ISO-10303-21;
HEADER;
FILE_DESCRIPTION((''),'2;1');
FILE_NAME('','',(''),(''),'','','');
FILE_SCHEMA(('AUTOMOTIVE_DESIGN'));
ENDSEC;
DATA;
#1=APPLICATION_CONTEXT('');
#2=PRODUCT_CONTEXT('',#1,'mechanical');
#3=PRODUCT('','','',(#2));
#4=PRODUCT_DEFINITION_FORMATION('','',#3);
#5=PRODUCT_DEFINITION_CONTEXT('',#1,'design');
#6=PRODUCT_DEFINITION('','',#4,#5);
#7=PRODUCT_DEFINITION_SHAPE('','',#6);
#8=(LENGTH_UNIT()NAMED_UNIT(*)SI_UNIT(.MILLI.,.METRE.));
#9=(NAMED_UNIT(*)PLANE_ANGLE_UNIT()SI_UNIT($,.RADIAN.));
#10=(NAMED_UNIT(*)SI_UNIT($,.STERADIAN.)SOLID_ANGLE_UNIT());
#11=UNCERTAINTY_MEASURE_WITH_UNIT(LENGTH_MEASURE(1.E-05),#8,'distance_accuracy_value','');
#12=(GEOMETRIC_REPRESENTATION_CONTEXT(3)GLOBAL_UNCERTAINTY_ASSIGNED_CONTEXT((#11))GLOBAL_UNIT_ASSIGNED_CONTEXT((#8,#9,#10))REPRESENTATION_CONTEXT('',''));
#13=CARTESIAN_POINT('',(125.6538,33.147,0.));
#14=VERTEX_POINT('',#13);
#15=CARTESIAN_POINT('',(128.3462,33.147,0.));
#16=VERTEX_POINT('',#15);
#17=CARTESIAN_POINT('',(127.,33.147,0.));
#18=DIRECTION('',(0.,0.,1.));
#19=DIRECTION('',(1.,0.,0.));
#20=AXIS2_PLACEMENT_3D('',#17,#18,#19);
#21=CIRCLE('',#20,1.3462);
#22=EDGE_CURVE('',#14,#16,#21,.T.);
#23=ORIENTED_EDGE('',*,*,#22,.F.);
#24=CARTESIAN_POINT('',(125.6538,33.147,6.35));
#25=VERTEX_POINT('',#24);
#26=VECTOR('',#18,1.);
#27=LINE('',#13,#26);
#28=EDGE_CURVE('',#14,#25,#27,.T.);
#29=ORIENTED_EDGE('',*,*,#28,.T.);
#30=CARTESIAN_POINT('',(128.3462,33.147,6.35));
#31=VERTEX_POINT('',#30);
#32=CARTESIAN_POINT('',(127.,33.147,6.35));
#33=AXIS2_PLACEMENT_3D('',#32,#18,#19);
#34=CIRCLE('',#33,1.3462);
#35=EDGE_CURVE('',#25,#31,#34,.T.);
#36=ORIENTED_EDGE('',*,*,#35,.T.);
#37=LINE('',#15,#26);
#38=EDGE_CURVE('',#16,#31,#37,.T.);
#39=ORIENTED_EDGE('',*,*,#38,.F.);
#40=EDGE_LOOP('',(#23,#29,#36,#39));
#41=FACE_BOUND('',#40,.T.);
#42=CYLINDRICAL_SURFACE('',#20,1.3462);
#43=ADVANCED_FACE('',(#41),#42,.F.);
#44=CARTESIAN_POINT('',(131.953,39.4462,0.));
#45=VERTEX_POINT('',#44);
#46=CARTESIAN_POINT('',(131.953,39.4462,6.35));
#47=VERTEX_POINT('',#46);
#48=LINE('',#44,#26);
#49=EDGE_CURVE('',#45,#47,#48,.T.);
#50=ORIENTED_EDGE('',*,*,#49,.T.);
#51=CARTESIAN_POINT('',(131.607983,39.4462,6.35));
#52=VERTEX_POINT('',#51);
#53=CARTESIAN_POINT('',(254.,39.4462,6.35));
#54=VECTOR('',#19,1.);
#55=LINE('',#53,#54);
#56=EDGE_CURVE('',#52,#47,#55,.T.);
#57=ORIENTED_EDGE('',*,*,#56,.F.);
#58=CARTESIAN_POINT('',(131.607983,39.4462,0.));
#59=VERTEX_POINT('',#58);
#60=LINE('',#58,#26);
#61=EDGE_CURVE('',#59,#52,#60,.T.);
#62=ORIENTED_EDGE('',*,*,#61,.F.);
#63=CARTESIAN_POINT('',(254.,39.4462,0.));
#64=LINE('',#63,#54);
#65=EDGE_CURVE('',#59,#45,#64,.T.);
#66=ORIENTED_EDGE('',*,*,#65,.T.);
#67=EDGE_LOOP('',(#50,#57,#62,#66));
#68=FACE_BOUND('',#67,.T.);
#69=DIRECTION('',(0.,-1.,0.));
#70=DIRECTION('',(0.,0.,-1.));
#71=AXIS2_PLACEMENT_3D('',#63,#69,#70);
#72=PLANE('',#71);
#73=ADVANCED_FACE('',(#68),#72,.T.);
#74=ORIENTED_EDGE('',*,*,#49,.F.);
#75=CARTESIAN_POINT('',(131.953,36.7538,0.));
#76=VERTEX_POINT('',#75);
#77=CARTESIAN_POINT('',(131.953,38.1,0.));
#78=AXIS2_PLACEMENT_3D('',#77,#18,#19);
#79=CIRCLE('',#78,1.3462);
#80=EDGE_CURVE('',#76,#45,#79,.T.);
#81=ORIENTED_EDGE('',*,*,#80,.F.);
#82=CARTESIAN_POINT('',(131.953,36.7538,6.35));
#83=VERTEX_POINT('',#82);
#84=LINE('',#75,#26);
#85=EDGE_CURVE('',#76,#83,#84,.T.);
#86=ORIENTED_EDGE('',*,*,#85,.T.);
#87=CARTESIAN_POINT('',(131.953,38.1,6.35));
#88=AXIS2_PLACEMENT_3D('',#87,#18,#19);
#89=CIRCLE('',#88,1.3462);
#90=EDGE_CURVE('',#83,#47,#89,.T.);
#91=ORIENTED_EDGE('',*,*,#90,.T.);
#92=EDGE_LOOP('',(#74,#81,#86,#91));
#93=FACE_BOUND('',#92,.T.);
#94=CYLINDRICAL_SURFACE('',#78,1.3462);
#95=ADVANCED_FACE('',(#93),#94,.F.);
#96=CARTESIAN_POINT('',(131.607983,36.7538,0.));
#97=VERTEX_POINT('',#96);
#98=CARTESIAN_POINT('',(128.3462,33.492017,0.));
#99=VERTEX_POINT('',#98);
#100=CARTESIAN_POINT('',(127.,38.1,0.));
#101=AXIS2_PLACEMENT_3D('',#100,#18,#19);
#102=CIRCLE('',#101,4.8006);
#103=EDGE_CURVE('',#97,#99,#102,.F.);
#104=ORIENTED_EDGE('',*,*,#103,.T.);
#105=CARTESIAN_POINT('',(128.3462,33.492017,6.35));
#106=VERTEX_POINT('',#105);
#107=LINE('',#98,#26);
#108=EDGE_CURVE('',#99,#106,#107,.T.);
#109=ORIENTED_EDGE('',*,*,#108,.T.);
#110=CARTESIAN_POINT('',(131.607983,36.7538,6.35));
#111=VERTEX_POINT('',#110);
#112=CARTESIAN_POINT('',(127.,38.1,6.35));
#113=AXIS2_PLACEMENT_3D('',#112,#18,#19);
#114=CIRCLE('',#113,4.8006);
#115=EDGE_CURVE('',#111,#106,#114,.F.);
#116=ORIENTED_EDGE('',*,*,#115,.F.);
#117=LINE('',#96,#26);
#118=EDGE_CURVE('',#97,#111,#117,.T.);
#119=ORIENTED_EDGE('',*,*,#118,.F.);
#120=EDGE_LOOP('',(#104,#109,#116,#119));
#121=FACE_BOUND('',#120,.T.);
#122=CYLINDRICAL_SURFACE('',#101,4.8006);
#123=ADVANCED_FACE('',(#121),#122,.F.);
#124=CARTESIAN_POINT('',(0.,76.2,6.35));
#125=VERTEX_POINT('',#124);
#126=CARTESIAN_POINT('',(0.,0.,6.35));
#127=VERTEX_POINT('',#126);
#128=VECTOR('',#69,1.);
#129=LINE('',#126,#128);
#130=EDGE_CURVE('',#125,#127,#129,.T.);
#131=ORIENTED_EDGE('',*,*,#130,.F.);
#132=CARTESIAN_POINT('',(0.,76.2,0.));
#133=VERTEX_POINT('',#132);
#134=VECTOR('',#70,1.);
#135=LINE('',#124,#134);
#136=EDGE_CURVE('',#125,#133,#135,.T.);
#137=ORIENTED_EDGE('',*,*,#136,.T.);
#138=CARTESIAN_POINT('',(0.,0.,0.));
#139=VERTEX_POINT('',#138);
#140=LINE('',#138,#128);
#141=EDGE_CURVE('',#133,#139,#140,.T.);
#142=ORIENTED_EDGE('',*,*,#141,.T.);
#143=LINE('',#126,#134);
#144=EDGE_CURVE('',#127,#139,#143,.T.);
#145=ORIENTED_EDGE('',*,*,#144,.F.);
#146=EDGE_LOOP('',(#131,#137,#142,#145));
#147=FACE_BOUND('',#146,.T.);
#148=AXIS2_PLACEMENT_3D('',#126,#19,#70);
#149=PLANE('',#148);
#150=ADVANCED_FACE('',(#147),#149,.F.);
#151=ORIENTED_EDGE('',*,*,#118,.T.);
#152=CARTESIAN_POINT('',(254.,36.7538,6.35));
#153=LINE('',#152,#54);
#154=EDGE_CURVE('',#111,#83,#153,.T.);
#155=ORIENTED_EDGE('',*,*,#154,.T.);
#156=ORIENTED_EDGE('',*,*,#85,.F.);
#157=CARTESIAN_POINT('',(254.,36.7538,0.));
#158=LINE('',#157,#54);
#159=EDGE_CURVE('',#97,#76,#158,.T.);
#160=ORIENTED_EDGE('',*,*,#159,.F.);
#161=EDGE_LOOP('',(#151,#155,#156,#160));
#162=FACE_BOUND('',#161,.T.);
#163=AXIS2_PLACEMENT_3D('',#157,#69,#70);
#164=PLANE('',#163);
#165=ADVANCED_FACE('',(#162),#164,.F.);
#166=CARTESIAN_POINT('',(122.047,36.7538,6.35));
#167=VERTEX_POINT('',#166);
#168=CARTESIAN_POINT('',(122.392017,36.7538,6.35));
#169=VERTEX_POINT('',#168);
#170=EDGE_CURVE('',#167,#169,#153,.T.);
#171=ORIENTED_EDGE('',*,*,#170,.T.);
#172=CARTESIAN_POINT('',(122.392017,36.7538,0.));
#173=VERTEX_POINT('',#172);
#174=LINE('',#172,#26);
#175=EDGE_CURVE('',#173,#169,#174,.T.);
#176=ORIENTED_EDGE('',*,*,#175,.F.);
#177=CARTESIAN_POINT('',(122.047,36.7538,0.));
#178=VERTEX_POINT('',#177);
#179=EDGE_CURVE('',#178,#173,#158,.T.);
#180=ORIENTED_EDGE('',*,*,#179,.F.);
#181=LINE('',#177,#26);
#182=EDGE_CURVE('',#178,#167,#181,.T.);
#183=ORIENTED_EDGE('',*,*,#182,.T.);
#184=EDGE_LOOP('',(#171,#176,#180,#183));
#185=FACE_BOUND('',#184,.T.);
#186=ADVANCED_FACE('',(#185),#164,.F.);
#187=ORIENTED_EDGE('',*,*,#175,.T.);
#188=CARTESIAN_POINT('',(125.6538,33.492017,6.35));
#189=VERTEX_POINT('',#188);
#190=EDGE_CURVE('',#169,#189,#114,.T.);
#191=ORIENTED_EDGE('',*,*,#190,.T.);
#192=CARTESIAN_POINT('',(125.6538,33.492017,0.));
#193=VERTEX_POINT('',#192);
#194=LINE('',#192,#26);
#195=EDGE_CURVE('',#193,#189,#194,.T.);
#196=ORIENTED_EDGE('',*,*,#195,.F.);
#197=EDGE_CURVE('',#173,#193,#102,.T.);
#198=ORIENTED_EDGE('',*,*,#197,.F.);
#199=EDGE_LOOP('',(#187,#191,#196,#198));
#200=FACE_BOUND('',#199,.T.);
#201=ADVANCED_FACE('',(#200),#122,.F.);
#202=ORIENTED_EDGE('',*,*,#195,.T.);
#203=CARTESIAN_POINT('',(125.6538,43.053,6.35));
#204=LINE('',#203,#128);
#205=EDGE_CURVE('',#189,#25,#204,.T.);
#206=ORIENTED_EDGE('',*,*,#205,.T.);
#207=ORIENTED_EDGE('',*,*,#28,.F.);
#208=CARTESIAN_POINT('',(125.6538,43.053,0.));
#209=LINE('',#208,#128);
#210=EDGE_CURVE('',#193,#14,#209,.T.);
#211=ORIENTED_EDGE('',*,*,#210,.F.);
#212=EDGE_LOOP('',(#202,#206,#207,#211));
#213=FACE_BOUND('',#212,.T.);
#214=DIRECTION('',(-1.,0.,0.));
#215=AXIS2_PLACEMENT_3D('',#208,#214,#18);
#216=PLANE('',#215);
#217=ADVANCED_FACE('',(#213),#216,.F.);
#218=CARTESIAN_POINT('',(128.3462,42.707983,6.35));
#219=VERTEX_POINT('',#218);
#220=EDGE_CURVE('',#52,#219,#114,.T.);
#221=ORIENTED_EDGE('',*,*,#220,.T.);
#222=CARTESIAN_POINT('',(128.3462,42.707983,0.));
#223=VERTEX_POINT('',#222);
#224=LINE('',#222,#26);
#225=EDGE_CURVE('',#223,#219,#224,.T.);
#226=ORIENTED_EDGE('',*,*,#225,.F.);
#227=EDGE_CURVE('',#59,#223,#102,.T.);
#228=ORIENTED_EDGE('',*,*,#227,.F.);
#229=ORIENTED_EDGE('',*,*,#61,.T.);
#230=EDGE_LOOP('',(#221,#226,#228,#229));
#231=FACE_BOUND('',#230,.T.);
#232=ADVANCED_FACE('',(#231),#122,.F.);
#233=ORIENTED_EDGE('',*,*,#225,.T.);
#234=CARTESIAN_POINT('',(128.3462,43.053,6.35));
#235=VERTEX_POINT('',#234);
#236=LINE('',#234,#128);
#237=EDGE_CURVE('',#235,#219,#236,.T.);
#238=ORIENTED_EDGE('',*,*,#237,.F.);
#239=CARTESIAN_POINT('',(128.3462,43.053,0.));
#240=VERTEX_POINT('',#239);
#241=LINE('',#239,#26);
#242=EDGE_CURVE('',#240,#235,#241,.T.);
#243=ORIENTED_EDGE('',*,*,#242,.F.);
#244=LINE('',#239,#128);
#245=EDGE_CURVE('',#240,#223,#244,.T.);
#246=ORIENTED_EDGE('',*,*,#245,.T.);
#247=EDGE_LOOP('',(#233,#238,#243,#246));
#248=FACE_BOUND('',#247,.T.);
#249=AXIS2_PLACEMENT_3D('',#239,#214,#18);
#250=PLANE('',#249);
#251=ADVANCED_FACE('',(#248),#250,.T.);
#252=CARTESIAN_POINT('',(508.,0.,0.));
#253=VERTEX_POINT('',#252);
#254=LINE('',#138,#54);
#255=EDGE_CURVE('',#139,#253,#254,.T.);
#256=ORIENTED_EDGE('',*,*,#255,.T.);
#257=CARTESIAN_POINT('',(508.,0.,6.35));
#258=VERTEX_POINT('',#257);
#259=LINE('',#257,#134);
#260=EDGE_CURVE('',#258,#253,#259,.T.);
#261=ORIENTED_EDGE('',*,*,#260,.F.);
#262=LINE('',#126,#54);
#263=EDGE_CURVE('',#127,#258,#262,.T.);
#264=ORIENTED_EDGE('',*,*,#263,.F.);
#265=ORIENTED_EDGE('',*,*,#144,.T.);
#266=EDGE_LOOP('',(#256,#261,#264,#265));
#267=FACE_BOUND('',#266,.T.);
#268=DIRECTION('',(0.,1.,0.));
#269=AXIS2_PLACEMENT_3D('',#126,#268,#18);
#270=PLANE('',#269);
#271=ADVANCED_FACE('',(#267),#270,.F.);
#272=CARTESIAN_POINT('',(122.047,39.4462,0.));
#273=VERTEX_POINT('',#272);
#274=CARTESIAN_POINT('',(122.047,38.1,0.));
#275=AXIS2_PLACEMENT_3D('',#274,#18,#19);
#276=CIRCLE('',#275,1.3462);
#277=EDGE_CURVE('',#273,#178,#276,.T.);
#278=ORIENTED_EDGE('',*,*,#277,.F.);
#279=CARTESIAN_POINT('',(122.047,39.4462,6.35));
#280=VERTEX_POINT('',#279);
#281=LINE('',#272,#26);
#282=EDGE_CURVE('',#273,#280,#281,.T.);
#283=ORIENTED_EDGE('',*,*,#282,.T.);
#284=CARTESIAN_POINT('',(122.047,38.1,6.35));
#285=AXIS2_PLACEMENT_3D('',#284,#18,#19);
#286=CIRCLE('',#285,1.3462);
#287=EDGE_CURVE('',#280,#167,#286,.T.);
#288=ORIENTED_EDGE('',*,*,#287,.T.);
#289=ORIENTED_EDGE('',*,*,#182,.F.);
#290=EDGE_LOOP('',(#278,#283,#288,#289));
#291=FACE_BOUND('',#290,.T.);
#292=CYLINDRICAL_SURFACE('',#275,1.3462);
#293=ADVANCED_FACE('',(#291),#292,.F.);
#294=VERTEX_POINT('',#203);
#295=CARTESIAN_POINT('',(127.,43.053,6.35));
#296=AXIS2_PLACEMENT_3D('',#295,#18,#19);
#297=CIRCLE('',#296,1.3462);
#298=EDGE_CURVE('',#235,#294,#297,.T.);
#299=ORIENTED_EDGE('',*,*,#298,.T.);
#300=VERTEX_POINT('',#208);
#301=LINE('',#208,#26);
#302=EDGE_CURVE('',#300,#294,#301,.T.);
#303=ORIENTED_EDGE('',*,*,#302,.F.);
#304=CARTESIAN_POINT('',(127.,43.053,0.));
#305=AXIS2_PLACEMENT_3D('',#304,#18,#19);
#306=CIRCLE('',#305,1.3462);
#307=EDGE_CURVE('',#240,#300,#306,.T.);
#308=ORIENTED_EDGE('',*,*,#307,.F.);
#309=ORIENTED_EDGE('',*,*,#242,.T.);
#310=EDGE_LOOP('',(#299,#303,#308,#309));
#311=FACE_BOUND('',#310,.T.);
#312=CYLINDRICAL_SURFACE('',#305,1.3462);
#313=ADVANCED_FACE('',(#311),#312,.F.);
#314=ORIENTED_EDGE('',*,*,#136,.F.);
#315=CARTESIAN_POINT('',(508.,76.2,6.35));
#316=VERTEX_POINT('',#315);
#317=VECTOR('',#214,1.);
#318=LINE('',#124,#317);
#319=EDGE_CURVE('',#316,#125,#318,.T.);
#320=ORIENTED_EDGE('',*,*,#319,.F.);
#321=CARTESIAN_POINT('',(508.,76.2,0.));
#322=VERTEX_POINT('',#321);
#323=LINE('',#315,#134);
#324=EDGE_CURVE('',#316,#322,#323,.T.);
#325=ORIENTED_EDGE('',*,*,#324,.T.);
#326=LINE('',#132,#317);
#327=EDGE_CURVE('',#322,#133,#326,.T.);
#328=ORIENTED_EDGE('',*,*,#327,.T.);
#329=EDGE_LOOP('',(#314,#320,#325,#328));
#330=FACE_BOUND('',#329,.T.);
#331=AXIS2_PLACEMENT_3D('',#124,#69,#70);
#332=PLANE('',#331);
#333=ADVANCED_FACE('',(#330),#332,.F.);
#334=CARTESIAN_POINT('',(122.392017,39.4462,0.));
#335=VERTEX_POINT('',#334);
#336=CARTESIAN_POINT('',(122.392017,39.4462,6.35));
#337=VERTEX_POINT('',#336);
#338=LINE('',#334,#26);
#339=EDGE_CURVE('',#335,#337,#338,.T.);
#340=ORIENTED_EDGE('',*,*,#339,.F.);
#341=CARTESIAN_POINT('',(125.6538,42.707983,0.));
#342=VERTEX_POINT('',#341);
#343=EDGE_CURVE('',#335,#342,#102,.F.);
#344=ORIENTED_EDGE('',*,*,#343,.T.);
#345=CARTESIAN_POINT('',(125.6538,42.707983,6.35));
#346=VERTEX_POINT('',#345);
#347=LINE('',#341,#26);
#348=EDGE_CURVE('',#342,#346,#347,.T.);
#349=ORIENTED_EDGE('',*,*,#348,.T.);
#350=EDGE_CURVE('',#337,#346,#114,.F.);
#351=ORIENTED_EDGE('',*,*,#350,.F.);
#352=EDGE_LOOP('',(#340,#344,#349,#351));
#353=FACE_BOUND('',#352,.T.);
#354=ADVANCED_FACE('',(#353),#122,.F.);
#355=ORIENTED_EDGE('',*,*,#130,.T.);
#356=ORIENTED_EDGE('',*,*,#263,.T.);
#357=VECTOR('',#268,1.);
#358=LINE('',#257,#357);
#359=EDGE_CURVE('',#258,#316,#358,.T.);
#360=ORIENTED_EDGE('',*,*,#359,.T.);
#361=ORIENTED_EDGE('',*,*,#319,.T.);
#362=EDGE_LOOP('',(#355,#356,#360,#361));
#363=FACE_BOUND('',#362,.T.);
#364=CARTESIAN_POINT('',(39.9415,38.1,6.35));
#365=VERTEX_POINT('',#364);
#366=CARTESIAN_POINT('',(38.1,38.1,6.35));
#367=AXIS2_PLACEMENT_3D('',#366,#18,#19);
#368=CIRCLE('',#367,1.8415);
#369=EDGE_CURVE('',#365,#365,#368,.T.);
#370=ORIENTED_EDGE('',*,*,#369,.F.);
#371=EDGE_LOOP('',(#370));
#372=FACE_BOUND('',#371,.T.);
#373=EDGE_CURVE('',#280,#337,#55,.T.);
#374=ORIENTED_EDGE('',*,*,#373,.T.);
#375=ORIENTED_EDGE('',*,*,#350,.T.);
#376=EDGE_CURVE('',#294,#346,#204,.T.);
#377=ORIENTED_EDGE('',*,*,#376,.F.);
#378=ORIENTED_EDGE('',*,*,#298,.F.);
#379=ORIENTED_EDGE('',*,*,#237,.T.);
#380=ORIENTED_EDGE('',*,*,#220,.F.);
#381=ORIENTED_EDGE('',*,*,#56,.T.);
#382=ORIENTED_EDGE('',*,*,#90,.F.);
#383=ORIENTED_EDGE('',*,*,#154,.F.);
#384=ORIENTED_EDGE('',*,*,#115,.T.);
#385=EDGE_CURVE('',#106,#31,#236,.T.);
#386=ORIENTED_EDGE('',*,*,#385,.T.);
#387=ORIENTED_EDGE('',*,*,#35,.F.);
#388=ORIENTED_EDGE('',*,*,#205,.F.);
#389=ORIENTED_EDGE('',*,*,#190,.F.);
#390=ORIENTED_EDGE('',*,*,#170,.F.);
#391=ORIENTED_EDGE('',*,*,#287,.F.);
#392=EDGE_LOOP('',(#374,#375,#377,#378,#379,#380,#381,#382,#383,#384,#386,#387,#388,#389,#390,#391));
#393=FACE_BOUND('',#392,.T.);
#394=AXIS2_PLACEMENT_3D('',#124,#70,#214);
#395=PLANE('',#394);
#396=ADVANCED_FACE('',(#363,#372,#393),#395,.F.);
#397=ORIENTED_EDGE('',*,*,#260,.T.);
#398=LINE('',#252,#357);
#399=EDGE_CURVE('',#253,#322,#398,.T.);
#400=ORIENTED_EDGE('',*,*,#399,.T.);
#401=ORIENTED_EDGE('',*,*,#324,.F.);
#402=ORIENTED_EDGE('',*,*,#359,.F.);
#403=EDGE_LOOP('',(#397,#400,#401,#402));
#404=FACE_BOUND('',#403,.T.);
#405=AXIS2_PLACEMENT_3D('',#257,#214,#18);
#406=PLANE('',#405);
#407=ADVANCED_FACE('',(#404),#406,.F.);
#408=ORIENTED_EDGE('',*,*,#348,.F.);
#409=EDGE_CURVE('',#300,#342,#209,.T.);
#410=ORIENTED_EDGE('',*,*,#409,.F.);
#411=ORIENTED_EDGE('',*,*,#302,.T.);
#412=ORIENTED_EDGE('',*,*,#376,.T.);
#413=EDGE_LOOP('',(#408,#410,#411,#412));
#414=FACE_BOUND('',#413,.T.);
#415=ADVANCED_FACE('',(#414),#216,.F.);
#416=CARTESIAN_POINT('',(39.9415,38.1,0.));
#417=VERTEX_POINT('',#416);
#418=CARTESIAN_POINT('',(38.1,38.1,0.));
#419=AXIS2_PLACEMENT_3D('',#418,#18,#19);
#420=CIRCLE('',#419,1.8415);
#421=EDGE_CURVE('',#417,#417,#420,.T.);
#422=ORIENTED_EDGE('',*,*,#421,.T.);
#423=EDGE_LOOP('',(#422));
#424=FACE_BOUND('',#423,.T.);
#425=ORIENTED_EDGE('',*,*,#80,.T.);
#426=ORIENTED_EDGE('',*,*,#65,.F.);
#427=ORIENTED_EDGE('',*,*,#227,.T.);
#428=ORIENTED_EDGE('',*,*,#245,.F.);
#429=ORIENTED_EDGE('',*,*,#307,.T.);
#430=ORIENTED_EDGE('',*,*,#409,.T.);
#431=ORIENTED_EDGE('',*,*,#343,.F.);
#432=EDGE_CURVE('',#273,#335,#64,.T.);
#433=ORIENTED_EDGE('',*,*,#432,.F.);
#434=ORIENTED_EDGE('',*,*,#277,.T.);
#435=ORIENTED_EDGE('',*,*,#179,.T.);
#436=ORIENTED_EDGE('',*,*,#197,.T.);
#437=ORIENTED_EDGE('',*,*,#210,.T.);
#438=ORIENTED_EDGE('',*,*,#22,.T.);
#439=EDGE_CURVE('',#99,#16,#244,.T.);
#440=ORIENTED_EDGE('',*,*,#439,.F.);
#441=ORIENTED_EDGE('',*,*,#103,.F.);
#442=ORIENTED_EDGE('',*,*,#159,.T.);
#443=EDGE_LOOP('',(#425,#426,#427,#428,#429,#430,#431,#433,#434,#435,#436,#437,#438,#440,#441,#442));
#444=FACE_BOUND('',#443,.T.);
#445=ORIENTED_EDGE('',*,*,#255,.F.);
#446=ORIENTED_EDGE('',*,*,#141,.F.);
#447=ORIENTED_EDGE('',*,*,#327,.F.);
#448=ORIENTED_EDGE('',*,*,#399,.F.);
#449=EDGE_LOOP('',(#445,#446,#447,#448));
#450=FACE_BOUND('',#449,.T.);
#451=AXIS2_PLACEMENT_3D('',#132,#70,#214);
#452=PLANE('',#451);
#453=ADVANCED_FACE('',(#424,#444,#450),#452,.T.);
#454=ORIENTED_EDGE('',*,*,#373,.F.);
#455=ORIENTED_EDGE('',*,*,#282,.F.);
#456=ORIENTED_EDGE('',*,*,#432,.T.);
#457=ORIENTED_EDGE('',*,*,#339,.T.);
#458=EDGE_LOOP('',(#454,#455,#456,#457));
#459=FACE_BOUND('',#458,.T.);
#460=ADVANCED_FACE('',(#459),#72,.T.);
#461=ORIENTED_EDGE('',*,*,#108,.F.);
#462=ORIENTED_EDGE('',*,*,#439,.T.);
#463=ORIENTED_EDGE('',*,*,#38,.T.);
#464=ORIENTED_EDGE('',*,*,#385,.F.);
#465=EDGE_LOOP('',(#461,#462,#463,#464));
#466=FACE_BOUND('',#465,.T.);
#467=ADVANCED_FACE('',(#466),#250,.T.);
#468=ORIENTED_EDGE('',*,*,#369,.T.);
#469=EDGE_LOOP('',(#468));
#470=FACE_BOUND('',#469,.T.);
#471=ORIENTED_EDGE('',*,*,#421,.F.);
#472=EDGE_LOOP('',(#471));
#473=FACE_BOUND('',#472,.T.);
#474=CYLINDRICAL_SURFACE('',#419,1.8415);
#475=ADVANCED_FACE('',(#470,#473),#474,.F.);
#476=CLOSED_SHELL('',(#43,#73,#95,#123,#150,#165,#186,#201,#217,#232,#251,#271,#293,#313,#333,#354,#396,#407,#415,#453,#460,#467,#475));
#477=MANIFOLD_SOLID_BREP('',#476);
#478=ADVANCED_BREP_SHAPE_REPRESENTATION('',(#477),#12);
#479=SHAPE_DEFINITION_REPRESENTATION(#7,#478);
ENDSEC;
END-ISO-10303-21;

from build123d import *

# Parameters (mm, degrees)
SKETCH1_W           = 508
SKETCH1_H           = 76.2
BOSS_EXTRUDE1_DEPTH = 6.35
CUT_EXTRUDE3_DEPTH  = 7.35
SKETCH3_R           = 1.8415
CUT_EXTRUDE4_DEPTH  = 7.35


with BuildPart() as part:
    # Sketch1 → Boss-Extrude1 (new body)
    with BuildSketch(Plane.XY):
        with Locations((254, 38.1)):
            Rectangle(SKETCH1_W, SKETCH1_H)
    extrude(amount=BOSS_EXTRUDE1_DEPTH)

    # Sketch2 → Cut-Extrude3 (cut, through all)
    with BuildSketch(Plane.XY.offset(6.35)):
        with BuildLine():
            ThreePointArc((128.3462, 43.053), (127, 44.3992), (125.6538, 43.053))
            Line((125.6538, 43.053), (125.6538, 42.707982847))
            ThreePointArc((125.6538, 42.707982847), (123.605463186, 41.494536814), (122.392017153, 39.4462))
            Line((122.392017153, 39.4462), (122.047, 39.4462))
            ThreePointArc((122.047, 39.4462), (120.7008, 38.1), (122.047, 36.7538))
            Line((122.047, 36.7538), (122.392017153, 36.7538))
            ThreePointArc((122.392017153, 36.7538), (123.605463186, 34.705463186), (125.6538, 33.492017153))
            Line((125.6538, 33.492017153), (125.6538, 33.147))
            ThreePointArc((125.6538, 33.147), (127, 31.8008), (128.3462, 33.147))
            Line((128.3462, 33.147), (128.3462, 33.492017153))
            ThreePointArc((128.3462, 33.492017153), (130.394536814, 34.705463186), (131.607982847, 36.7538))
            Line((131.607982847, 36.7538), (131.953, 36.7538))
            ThreePointArc((131.953, 36.7538), (133.2992, 38.1), (131.953, 39.4462))
            Line((131.953, 39.4462), (131.607982847, 39.4462))
            ThreePointArc((131.607982847, 39.4462), (130.394536814, 41.494536814), (128.3462, 42.707982847))
            Line((128.3462, 42.707982847), (128.3462, 43.053))
        make_face()
    extrude(amount=-CUT_EXTRUDE3_DEPTH, mode=Mode.SUBTRACT)

    # Sketch3 → Cut-Extrude4 (cut, through all)
    with BuildSketch(Plane.XY.offset(6.35)):
        with Locations((38.1, 38.1)):
            Circle(SKETCH3_R)
    extrude(amount=-CUT_EXTRUDE4_DEPTH, mode=Mode.SUBTRACT)


solid = part.part
